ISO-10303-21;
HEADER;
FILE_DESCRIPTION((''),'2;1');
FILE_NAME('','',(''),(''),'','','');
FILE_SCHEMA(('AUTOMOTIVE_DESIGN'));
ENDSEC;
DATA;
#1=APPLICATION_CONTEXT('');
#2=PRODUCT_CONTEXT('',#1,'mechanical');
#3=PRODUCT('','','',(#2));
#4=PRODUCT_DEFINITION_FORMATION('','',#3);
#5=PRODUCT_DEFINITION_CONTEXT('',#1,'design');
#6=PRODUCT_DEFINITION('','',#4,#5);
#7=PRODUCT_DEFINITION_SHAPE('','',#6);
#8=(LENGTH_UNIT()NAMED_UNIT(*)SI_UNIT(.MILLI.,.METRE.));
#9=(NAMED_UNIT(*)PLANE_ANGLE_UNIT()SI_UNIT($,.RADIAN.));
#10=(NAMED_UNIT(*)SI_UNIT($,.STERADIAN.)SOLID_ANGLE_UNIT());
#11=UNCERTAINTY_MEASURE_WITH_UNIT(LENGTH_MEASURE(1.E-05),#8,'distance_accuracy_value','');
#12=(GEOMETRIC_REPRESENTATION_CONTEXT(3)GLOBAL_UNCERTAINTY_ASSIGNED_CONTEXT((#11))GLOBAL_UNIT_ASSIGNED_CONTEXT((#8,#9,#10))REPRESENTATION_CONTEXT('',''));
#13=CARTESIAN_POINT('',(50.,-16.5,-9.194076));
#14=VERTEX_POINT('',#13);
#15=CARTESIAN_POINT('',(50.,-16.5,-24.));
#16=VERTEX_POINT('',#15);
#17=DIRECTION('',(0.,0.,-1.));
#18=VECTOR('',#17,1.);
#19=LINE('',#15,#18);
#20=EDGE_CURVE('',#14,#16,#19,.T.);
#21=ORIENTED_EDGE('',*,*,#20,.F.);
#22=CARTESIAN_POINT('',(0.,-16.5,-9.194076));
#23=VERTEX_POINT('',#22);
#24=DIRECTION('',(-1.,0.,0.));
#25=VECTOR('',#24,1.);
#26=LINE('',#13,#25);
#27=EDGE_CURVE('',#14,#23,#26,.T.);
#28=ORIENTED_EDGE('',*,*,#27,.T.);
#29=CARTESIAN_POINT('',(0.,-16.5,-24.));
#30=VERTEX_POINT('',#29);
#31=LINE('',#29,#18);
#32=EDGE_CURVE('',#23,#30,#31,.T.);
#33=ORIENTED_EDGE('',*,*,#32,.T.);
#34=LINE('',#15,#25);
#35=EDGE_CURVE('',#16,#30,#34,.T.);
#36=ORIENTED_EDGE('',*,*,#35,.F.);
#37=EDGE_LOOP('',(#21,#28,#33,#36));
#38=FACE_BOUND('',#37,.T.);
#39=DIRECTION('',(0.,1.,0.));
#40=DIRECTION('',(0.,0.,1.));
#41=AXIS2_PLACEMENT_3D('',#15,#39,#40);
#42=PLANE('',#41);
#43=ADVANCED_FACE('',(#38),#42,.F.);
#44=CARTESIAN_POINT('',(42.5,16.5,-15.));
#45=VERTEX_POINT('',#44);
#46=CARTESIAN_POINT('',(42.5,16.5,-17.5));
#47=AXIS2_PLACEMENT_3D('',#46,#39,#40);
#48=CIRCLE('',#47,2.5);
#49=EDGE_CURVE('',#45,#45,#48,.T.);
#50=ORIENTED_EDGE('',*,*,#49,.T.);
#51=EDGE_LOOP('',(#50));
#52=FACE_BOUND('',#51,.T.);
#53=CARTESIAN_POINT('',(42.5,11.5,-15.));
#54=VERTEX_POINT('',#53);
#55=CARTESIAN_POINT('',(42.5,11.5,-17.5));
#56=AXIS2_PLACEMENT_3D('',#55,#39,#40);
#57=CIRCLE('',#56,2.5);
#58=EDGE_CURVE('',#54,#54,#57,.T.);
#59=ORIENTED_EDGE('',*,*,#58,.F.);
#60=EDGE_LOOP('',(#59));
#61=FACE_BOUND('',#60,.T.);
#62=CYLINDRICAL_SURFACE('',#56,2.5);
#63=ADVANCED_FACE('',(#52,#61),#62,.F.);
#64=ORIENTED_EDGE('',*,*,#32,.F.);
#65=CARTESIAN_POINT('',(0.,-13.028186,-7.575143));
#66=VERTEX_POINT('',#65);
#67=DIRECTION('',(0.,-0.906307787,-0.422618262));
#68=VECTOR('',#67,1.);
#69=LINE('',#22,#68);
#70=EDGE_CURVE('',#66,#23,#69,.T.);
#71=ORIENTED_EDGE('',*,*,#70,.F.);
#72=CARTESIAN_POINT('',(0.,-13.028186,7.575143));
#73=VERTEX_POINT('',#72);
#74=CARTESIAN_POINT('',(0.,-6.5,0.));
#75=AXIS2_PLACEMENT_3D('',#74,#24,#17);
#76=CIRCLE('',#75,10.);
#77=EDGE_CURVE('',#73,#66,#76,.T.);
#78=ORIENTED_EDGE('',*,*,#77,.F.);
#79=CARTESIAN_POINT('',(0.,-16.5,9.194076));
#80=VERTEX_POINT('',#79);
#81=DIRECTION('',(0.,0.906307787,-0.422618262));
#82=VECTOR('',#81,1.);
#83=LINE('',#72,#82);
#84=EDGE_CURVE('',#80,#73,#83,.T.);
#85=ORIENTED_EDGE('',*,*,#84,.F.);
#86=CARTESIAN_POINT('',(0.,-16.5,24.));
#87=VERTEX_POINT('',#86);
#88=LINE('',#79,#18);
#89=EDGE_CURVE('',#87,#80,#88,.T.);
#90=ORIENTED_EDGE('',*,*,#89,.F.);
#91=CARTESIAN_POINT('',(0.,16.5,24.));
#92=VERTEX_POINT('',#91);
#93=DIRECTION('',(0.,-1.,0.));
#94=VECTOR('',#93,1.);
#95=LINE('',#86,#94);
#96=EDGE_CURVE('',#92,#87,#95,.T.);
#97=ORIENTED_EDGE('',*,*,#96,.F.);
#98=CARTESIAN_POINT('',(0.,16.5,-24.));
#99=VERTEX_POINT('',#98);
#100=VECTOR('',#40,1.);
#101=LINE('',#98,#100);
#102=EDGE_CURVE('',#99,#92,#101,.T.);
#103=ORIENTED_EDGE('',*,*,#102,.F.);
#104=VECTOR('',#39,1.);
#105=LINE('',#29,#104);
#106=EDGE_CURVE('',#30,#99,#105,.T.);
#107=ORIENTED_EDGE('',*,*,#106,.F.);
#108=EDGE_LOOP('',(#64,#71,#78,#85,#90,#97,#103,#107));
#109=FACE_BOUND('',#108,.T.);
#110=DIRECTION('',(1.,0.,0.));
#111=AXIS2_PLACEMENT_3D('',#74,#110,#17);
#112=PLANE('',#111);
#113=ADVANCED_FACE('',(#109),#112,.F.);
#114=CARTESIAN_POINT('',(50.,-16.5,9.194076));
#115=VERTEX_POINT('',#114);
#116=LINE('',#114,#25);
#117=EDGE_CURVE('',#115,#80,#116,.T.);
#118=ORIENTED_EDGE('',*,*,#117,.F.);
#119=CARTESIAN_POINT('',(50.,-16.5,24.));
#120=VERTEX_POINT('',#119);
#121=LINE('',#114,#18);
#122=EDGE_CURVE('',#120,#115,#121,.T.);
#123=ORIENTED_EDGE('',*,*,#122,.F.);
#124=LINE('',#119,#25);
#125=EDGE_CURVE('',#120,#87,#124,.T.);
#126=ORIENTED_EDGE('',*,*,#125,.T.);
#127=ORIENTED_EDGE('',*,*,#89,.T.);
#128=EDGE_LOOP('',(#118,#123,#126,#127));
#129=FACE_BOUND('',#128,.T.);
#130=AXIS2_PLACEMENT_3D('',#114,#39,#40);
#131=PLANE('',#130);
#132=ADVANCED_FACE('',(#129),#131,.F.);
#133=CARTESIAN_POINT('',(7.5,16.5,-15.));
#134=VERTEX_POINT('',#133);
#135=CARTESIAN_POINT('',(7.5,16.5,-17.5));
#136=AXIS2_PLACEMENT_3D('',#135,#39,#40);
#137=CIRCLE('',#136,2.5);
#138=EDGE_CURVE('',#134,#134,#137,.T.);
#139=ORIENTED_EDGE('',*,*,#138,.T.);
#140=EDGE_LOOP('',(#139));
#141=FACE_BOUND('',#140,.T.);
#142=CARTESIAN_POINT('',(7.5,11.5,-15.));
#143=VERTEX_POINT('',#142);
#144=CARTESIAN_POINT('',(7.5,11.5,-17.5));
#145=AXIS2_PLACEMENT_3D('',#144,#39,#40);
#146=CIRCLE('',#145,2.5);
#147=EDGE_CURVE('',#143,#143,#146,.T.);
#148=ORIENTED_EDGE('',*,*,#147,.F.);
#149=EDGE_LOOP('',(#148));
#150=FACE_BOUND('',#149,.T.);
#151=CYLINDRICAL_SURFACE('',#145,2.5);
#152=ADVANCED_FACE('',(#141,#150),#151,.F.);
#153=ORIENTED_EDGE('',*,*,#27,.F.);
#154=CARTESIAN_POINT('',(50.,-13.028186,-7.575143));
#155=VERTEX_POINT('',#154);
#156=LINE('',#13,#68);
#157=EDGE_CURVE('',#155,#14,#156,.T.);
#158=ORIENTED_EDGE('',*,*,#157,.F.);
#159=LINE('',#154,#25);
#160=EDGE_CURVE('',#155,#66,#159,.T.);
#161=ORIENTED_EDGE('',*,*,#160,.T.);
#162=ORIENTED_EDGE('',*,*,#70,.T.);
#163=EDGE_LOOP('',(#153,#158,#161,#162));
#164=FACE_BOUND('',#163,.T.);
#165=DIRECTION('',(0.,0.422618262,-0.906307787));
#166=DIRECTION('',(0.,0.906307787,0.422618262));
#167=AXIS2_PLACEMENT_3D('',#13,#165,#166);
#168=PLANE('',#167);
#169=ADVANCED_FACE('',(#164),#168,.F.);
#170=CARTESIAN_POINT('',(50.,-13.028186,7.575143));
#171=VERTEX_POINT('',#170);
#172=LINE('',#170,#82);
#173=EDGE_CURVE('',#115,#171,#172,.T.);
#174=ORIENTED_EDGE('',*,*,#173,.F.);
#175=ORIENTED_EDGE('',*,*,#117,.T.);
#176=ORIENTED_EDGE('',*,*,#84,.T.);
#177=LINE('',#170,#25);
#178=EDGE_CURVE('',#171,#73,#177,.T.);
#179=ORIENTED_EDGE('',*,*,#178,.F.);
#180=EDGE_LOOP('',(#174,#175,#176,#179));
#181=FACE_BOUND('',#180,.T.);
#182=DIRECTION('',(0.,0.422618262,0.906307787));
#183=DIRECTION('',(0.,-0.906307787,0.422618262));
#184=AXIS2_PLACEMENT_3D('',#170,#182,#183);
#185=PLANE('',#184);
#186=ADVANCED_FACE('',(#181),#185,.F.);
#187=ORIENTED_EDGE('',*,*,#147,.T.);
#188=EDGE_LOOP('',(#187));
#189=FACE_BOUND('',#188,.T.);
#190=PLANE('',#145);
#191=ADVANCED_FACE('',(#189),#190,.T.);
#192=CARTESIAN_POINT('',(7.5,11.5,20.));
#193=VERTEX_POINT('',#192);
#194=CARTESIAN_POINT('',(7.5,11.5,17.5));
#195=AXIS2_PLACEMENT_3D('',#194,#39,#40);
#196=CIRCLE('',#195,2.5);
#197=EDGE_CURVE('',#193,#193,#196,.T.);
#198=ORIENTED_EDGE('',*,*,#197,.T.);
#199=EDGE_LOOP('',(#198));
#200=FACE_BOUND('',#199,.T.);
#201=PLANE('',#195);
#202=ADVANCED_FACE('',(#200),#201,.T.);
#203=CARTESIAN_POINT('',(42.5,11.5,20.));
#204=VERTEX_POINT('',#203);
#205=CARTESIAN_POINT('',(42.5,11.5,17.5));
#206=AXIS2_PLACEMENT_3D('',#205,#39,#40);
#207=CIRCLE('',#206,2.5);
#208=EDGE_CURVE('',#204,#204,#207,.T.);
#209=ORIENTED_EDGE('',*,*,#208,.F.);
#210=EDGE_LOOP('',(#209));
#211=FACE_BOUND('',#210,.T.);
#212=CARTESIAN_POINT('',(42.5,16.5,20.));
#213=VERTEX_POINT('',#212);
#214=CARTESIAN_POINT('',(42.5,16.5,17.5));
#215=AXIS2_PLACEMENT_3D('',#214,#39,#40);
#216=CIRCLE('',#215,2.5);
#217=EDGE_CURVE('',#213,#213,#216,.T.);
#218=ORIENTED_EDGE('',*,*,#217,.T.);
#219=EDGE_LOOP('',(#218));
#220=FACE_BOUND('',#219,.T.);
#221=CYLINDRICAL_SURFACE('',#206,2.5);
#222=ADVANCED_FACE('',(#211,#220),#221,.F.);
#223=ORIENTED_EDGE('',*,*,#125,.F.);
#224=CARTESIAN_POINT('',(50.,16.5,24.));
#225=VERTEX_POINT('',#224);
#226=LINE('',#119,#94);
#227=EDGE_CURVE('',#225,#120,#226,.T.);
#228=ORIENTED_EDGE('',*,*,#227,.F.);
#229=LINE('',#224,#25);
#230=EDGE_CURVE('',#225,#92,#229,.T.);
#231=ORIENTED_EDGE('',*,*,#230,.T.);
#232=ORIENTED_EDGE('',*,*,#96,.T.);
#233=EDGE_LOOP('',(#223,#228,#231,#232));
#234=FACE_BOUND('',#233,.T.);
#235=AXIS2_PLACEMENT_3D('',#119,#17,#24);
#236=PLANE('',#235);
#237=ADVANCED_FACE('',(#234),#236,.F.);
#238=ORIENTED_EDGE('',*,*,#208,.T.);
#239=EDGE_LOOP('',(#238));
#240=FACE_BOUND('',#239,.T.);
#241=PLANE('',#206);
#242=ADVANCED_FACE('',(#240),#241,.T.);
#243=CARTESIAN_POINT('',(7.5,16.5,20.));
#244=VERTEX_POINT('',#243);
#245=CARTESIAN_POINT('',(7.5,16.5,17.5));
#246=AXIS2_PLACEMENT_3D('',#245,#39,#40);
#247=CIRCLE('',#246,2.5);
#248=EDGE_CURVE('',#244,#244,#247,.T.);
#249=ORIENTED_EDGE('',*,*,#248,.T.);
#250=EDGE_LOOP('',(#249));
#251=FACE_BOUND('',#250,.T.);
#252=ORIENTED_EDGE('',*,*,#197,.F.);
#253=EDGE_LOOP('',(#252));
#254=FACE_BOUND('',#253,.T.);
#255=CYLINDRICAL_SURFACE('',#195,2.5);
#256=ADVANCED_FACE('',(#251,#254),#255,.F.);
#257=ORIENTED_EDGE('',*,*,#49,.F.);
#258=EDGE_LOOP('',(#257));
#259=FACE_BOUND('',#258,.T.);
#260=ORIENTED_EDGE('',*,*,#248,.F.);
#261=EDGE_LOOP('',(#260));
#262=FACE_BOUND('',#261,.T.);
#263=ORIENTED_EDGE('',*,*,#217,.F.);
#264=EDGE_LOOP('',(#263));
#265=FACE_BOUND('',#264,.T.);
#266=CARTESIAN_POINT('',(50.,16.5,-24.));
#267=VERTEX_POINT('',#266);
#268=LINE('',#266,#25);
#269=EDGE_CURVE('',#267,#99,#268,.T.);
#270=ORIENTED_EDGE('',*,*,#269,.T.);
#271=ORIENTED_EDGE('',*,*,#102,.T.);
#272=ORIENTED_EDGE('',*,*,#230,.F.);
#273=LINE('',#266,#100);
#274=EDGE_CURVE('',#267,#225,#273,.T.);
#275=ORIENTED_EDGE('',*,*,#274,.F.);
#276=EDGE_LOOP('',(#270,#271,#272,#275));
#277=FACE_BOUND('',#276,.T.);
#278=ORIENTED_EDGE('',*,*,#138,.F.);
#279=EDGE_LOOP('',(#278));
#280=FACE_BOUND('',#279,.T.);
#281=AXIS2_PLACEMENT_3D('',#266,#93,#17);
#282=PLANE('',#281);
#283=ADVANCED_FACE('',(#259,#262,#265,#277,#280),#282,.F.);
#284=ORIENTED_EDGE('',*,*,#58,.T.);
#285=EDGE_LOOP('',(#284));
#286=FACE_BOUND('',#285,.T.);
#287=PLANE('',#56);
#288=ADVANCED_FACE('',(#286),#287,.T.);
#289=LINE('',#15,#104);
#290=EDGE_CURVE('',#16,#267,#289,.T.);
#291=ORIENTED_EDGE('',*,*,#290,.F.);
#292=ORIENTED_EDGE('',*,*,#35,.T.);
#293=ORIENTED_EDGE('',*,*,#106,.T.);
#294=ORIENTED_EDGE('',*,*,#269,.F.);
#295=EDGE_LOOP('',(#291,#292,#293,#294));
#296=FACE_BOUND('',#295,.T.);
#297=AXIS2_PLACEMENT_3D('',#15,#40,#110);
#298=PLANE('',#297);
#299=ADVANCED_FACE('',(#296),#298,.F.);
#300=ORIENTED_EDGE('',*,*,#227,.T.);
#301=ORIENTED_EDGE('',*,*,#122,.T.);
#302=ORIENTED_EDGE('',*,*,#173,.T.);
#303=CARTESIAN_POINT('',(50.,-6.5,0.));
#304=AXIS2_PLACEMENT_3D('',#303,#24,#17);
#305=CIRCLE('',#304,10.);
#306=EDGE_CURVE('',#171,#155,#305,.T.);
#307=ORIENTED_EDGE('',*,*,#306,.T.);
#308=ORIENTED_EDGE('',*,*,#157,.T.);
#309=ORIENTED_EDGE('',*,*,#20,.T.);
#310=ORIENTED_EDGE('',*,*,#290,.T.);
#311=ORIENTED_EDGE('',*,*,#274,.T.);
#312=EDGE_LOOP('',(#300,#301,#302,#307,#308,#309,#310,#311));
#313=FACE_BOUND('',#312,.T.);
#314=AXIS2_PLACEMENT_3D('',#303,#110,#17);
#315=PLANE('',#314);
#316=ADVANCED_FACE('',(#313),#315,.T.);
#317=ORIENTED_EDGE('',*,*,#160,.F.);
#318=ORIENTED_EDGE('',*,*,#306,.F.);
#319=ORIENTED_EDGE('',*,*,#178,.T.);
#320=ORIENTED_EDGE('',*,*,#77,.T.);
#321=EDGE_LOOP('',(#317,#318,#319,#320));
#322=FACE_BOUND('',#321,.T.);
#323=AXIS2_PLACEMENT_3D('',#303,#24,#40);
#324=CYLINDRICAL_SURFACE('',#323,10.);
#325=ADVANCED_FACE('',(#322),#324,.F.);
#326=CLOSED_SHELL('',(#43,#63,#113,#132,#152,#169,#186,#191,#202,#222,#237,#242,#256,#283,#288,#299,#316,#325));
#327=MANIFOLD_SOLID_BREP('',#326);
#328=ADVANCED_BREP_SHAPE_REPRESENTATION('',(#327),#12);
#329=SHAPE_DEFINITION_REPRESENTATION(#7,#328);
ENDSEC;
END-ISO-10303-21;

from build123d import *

# Parameters (mm, degrees)
BOSS_EXTRUDE1_DEPTH = 50
SKETCH2_R           = 2.5
CUT_EXTRUDE1_DEPTH  = 5


with BuildPart() as part:
    # Sketch1 → Boss-Extrude1 (new body)
    with BuildSketch(Plane(origin=(0, 0, 0), x_dir=(0, 0, -1), z_dir=(1, 0, 0))):
        with BuildLine():
            Line((24, -16.5), (9.19407636, -16.5))
            Line((9.19407636, -16.5), (7.575142847, -13.028185878))
            ThreePointArc((7.575142847, -13.028185878), (0, 3.5), (-7.575142847, -13.028185878))
            Line((-7.575142847, -13.028185878), (-9.19407636, -16.5))
            Line((-9.19407636, -16.5), (-24, -16.5))
            Line((-24, -16.5), (-24, 16.5))
            Line((-24, 16.5), (24, 16.5))
            Line((24, 16.5), (24, -16.5))
        make_face()
    extrude(amount=BOSS_EXTRUDE1_DEPTH)

    # Sketch2 → Cut-Extrude1 (cut)
    with BuildSketch(Plane(origin=(0, 16.5, 0), x_dir=(1, 0, 0), z_dir=(0, 1, 0))):
        with Locations((7.5, 17.5)):
            Circle(SKETCH2_R)
        with Locations((42.5, 17.5)):
            Circle(SKETCH2_R)
        with Locations((42.5, -17.5)):
            Circle(SKETCH2_R)
        with Locations((7.5, -17.5)):
            Circle(SKETCH2_R)
    extrude(amount=-CUT_EXTRUDE1_DEPTH, mode=Mode.SUBTRACT)


solid = part.part
